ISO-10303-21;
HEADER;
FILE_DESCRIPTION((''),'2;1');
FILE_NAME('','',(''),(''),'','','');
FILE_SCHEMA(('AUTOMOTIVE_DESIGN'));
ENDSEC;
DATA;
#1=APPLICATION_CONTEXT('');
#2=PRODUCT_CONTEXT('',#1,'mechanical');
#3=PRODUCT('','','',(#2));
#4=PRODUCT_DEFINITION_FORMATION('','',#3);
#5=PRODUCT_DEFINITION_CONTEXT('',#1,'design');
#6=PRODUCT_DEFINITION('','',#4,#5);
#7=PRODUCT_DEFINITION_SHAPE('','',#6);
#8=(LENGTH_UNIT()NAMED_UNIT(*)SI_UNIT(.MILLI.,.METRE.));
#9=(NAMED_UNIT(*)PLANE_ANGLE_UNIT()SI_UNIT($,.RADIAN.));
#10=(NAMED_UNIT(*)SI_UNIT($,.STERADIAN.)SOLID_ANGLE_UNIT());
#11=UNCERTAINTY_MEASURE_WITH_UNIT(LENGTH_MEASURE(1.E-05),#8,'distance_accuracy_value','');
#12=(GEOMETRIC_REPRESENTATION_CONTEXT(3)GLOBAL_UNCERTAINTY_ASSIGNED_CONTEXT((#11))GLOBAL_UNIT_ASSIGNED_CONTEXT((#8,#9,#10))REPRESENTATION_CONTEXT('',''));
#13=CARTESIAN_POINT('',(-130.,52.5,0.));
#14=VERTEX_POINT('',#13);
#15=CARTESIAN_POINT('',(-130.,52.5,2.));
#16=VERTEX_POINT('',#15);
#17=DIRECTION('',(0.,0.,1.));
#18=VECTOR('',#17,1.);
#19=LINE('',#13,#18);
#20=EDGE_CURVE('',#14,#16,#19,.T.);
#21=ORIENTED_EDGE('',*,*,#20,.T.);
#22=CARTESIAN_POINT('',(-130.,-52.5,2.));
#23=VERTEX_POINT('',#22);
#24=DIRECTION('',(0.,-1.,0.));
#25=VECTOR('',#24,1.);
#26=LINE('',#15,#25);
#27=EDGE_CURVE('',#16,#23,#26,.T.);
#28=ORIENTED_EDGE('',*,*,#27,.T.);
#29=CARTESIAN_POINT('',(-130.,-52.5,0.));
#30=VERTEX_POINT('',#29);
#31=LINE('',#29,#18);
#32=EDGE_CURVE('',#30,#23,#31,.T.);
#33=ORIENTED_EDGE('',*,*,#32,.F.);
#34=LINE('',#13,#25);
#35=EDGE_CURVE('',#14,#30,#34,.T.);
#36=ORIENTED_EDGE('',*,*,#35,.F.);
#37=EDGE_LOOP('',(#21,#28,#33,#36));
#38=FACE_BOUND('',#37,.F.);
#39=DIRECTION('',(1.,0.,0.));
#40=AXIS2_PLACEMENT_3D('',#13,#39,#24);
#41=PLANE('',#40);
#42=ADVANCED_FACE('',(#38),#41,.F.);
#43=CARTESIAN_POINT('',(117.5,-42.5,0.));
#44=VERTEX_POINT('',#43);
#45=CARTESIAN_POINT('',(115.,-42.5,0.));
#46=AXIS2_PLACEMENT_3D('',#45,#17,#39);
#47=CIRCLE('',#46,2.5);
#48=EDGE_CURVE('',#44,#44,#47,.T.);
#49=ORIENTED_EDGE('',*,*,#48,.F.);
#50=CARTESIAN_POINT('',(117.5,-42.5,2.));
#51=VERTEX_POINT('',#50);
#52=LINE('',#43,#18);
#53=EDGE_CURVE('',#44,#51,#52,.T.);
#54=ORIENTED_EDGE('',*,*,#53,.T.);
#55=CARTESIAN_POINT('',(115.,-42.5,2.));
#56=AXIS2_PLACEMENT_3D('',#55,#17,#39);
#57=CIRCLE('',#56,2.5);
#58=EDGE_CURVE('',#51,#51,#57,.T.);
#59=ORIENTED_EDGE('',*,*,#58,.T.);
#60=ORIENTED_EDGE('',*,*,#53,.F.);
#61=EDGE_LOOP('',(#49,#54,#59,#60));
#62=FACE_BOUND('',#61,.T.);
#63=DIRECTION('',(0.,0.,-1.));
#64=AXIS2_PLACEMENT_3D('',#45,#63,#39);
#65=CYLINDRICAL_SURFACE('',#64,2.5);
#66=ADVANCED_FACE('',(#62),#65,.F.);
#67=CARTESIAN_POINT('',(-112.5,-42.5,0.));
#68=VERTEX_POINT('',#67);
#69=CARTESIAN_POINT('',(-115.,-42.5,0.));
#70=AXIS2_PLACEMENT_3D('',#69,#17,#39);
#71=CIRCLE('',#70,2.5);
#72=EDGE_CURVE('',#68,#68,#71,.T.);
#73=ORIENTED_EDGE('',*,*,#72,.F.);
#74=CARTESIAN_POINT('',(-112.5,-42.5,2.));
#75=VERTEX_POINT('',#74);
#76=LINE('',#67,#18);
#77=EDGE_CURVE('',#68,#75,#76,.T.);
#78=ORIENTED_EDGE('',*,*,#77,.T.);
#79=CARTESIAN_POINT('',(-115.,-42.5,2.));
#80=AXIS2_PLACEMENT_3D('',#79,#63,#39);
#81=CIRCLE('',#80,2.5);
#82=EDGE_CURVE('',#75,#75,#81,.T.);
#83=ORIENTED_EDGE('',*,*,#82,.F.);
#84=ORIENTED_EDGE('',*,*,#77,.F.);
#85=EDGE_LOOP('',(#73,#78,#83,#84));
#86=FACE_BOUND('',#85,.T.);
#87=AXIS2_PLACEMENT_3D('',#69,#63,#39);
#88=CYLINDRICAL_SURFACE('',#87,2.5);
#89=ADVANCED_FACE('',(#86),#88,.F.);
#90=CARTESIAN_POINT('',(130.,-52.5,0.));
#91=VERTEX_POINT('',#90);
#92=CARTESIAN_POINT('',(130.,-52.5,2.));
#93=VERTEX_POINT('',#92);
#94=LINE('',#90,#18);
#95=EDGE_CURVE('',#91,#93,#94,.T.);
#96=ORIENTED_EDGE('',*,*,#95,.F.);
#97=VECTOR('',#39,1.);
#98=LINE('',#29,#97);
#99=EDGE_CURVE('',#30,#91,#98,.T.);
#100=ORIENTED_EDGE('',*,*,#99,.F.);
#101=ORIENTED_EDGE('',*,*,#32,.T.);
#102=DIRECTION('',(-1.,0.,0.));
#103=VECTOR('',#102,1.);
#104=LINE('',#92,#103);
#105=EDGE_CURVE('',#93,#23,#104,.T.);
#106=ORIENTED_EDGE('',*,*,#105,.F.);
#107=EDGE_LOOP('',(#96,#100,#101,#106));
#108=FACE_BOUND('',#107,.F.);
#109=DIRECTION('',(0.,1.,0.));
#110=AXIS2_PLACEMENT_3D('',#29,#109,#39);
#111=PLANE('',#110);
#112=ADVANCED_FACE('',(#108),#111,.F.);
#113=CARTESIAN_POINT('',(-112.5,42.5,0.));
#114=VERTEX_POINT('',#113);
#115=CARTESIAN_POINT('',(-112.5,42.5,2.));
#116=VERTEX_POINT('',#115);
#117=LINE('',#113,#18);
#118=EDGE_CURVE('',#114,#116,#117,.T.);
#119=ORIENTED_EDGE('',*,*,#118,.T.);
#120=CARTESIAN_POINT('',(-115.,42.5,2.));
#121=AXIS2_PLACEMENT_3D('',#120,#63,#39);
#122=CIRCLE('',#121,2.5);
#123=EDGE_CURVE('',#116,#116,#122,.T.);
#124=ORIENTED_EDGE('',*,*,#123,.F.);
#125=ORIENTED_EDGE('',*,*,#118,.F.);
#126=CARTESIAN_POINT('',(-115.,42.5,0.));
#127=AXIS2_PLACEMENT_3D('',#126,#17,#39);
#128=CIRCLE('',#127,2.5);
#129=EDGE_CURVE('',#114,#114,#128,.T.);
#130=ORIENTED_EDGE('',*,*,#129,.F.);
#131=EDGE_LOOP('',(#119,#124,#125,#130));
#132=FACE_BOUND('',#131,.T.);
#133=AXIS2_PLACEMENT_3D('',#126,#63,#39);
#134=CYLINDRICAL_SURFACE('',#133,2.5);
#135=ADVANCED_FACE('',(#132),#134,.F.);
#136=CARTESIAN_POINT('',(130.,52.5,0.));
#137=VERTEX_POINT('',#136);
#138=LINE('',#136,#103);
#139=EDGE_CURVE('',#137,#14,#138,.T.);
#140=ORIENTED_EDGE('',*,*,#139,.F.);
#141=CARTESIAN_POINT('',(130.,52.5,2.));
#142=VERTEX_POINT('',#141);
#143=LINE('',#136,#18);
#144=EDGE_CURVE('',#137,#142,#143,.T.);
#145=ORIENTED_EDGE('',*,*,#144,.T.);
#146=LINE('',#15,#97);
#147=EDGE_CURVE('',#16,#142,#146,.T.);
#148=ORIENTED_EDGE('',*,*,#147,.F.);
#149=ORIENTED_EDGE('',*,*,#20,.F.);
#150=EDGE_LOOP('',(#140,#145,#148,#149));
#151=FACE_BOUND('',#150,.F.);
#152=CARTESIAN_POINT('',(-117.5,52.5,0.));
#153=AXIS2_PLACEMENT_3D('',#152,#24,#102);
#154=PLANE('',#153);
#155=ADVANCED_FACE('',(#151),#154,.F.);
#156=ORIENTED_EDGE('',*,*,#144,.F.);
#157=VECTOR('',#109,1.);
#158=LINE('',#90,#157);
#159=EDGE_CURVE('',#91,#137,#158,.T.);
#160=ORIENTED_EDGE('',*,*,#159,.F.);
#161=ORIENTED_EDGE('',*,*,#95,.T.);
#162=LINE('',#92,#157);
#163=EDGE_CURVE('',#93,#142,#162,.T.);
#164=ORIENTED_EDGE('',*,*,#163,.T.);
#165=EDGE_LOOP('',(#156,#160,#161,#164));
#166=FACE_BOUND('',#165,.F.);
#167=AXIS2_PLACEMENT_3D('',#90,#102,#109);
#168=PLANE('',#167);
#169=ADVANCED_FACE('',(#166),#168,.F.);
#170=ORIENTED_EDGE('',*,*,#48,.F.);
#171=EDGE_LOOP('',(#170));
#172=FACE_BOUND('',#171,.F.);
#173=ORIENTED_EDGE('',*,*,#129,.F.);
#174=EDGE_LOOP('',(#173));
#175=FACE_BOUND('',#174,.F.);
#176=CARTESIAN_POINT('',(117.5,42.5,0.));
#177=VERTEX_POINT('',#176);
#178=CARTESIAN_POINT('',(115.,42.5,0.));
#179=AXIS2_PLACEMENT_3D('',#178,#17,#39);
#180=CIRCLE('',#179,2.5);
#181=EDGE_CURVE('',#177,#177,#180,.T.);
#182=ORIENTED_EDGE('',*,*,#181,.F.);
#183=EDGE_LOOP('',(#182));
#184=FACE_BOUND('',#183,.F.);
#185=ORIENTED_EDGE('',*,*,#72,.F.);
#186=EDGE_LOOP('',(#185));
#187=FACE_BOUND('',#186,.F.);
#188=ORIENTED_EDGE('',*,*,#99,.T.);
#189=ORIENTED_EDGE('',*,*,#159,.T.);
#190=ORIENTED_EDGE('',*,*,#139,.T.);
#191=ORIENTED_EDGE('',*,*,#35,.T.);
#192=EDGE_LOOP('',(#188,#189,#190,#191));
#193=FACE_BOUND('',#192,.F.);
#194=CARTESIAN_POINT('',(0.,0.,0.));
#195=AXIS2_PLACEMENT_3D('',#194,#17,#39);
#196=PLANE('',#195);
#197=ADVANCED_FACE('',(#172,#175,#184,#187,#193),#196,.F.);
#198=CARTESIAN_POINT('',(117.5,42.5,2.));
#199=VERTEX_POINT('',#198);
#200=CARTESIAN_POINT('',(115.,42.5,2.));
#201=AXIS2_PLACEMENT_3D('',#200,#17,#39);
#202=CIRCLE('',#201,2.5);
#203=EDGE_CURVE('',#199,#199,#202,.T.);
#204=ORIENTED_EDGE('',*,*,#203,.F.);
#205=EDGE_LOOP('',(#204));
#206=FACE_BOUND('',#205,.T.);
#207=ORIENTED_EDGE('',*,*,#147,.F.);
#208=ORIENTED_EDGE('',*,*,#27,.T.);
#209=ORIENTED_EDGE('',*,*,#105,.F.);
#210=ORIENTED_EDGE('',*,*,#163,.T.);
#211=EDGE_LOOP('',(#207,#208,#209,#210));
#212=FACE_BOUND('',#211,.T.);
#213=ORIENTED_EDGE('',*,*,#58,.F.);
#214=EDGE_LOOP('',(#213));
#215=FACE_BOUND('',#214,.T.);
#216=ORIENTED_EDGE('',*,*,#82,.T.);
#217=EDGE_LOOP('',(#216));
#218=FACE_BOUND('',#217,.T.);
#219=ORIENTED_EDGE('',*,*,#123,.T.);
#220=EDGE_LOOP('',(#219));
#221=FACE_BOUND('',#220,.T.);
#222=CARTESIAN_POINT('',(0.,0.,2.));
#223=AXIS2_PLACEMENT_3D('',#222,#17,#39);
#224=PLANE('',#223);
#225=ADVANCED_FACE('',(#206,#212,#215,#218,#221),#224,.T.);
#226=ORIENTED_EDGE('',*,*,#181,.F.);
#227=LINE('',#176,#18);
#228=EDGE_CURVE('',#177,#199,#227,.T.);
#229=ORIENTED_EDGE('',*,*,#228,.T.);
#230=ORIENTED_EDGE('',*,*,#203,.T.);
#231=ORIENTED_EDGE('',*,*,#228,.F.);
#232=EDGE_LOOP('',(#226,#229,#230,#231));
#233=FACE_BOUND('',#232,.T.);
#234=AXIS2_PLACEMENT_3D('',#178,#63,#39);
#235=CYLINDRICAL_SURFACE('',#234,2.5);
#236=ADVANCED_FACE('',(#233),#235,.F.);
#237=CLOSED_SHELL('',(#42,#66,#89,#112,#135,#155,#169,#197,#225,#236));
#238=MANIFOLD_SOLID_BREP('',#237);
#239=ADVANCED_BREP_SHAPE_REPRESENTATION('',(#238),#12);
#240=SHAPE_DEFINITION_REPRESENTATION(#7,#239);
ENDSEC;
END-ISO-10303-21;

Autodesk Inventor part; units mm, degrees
ref_plane "YZ Plane" through (0, 0, 0) normal (1, 0, 0) x (0, 1, 0)
ref_plane "XZ Plane" through (0, 0, 0) normal (0, 1, 0) x (-1, 0, 0)
ref_plane "XY Plane" through (0, 0, 0) normal (0, 0, 1) x (1, 0, 0)
sketch "Esquisse1" plane through (0, 0, 0) normal (0, 0, 1) x (1, 0, 0)
  line L0 (-130, -52.5) -> (130, -52.5)
  line L1 (130, -52.5) -> (130, 52.5)
  line L2 (130, 52.5) -> (-130, 52.5)
  line L3 (-130, 52.5) -> (-130, -52.5)
  line L4 (-130, -52.5) -> (130, 52.5) construction
  line L5 (130, -52.5) -> (-130, 52.5) construction
  line L6 (-117.5, -52.5) -> (117.5, -52.5)
  line L7 (117.5, -52.5) -> (117.5, 52.5)
  line L8 (117.5, 52.5) -> (-117.5, 52.5)
  line L9 (-117.5, 52.5) -> (-117.5, -52.5)
  line L10 (-117.5, -52.5) -> (117.5, 52.5) construction
  line L11 (117.5, -52.5) -> (-117.5, 52.5) construction
  circle A0 centre (-115, 42.5) radius 2.5
  circle A1 centre (-115, -42.5) radius 2.5
  circle A2 centre (115, 42.5) radius 2.5
  circle A3 centre (115, -42.5) radius 2.5
  point P0 (0, 0)
  dimension "d0" = 260
  dimension "d1" = 105
  dimension "d2" = 12.5
  dimension "d3" = 5
  dimension "d4" = 0
  dimension "d5" = 5
  dimension "d6" = 5
  dimension "d7" = 5
  dimension "d8" = 10
  dimension "d9" = 10
  dimension "d10" = 10
  dimension "d11" = 10
extrude "Extrusion1" add sketch "Esquisse1" along normal blind 2
properties part number "PlaqueHautPorte"
